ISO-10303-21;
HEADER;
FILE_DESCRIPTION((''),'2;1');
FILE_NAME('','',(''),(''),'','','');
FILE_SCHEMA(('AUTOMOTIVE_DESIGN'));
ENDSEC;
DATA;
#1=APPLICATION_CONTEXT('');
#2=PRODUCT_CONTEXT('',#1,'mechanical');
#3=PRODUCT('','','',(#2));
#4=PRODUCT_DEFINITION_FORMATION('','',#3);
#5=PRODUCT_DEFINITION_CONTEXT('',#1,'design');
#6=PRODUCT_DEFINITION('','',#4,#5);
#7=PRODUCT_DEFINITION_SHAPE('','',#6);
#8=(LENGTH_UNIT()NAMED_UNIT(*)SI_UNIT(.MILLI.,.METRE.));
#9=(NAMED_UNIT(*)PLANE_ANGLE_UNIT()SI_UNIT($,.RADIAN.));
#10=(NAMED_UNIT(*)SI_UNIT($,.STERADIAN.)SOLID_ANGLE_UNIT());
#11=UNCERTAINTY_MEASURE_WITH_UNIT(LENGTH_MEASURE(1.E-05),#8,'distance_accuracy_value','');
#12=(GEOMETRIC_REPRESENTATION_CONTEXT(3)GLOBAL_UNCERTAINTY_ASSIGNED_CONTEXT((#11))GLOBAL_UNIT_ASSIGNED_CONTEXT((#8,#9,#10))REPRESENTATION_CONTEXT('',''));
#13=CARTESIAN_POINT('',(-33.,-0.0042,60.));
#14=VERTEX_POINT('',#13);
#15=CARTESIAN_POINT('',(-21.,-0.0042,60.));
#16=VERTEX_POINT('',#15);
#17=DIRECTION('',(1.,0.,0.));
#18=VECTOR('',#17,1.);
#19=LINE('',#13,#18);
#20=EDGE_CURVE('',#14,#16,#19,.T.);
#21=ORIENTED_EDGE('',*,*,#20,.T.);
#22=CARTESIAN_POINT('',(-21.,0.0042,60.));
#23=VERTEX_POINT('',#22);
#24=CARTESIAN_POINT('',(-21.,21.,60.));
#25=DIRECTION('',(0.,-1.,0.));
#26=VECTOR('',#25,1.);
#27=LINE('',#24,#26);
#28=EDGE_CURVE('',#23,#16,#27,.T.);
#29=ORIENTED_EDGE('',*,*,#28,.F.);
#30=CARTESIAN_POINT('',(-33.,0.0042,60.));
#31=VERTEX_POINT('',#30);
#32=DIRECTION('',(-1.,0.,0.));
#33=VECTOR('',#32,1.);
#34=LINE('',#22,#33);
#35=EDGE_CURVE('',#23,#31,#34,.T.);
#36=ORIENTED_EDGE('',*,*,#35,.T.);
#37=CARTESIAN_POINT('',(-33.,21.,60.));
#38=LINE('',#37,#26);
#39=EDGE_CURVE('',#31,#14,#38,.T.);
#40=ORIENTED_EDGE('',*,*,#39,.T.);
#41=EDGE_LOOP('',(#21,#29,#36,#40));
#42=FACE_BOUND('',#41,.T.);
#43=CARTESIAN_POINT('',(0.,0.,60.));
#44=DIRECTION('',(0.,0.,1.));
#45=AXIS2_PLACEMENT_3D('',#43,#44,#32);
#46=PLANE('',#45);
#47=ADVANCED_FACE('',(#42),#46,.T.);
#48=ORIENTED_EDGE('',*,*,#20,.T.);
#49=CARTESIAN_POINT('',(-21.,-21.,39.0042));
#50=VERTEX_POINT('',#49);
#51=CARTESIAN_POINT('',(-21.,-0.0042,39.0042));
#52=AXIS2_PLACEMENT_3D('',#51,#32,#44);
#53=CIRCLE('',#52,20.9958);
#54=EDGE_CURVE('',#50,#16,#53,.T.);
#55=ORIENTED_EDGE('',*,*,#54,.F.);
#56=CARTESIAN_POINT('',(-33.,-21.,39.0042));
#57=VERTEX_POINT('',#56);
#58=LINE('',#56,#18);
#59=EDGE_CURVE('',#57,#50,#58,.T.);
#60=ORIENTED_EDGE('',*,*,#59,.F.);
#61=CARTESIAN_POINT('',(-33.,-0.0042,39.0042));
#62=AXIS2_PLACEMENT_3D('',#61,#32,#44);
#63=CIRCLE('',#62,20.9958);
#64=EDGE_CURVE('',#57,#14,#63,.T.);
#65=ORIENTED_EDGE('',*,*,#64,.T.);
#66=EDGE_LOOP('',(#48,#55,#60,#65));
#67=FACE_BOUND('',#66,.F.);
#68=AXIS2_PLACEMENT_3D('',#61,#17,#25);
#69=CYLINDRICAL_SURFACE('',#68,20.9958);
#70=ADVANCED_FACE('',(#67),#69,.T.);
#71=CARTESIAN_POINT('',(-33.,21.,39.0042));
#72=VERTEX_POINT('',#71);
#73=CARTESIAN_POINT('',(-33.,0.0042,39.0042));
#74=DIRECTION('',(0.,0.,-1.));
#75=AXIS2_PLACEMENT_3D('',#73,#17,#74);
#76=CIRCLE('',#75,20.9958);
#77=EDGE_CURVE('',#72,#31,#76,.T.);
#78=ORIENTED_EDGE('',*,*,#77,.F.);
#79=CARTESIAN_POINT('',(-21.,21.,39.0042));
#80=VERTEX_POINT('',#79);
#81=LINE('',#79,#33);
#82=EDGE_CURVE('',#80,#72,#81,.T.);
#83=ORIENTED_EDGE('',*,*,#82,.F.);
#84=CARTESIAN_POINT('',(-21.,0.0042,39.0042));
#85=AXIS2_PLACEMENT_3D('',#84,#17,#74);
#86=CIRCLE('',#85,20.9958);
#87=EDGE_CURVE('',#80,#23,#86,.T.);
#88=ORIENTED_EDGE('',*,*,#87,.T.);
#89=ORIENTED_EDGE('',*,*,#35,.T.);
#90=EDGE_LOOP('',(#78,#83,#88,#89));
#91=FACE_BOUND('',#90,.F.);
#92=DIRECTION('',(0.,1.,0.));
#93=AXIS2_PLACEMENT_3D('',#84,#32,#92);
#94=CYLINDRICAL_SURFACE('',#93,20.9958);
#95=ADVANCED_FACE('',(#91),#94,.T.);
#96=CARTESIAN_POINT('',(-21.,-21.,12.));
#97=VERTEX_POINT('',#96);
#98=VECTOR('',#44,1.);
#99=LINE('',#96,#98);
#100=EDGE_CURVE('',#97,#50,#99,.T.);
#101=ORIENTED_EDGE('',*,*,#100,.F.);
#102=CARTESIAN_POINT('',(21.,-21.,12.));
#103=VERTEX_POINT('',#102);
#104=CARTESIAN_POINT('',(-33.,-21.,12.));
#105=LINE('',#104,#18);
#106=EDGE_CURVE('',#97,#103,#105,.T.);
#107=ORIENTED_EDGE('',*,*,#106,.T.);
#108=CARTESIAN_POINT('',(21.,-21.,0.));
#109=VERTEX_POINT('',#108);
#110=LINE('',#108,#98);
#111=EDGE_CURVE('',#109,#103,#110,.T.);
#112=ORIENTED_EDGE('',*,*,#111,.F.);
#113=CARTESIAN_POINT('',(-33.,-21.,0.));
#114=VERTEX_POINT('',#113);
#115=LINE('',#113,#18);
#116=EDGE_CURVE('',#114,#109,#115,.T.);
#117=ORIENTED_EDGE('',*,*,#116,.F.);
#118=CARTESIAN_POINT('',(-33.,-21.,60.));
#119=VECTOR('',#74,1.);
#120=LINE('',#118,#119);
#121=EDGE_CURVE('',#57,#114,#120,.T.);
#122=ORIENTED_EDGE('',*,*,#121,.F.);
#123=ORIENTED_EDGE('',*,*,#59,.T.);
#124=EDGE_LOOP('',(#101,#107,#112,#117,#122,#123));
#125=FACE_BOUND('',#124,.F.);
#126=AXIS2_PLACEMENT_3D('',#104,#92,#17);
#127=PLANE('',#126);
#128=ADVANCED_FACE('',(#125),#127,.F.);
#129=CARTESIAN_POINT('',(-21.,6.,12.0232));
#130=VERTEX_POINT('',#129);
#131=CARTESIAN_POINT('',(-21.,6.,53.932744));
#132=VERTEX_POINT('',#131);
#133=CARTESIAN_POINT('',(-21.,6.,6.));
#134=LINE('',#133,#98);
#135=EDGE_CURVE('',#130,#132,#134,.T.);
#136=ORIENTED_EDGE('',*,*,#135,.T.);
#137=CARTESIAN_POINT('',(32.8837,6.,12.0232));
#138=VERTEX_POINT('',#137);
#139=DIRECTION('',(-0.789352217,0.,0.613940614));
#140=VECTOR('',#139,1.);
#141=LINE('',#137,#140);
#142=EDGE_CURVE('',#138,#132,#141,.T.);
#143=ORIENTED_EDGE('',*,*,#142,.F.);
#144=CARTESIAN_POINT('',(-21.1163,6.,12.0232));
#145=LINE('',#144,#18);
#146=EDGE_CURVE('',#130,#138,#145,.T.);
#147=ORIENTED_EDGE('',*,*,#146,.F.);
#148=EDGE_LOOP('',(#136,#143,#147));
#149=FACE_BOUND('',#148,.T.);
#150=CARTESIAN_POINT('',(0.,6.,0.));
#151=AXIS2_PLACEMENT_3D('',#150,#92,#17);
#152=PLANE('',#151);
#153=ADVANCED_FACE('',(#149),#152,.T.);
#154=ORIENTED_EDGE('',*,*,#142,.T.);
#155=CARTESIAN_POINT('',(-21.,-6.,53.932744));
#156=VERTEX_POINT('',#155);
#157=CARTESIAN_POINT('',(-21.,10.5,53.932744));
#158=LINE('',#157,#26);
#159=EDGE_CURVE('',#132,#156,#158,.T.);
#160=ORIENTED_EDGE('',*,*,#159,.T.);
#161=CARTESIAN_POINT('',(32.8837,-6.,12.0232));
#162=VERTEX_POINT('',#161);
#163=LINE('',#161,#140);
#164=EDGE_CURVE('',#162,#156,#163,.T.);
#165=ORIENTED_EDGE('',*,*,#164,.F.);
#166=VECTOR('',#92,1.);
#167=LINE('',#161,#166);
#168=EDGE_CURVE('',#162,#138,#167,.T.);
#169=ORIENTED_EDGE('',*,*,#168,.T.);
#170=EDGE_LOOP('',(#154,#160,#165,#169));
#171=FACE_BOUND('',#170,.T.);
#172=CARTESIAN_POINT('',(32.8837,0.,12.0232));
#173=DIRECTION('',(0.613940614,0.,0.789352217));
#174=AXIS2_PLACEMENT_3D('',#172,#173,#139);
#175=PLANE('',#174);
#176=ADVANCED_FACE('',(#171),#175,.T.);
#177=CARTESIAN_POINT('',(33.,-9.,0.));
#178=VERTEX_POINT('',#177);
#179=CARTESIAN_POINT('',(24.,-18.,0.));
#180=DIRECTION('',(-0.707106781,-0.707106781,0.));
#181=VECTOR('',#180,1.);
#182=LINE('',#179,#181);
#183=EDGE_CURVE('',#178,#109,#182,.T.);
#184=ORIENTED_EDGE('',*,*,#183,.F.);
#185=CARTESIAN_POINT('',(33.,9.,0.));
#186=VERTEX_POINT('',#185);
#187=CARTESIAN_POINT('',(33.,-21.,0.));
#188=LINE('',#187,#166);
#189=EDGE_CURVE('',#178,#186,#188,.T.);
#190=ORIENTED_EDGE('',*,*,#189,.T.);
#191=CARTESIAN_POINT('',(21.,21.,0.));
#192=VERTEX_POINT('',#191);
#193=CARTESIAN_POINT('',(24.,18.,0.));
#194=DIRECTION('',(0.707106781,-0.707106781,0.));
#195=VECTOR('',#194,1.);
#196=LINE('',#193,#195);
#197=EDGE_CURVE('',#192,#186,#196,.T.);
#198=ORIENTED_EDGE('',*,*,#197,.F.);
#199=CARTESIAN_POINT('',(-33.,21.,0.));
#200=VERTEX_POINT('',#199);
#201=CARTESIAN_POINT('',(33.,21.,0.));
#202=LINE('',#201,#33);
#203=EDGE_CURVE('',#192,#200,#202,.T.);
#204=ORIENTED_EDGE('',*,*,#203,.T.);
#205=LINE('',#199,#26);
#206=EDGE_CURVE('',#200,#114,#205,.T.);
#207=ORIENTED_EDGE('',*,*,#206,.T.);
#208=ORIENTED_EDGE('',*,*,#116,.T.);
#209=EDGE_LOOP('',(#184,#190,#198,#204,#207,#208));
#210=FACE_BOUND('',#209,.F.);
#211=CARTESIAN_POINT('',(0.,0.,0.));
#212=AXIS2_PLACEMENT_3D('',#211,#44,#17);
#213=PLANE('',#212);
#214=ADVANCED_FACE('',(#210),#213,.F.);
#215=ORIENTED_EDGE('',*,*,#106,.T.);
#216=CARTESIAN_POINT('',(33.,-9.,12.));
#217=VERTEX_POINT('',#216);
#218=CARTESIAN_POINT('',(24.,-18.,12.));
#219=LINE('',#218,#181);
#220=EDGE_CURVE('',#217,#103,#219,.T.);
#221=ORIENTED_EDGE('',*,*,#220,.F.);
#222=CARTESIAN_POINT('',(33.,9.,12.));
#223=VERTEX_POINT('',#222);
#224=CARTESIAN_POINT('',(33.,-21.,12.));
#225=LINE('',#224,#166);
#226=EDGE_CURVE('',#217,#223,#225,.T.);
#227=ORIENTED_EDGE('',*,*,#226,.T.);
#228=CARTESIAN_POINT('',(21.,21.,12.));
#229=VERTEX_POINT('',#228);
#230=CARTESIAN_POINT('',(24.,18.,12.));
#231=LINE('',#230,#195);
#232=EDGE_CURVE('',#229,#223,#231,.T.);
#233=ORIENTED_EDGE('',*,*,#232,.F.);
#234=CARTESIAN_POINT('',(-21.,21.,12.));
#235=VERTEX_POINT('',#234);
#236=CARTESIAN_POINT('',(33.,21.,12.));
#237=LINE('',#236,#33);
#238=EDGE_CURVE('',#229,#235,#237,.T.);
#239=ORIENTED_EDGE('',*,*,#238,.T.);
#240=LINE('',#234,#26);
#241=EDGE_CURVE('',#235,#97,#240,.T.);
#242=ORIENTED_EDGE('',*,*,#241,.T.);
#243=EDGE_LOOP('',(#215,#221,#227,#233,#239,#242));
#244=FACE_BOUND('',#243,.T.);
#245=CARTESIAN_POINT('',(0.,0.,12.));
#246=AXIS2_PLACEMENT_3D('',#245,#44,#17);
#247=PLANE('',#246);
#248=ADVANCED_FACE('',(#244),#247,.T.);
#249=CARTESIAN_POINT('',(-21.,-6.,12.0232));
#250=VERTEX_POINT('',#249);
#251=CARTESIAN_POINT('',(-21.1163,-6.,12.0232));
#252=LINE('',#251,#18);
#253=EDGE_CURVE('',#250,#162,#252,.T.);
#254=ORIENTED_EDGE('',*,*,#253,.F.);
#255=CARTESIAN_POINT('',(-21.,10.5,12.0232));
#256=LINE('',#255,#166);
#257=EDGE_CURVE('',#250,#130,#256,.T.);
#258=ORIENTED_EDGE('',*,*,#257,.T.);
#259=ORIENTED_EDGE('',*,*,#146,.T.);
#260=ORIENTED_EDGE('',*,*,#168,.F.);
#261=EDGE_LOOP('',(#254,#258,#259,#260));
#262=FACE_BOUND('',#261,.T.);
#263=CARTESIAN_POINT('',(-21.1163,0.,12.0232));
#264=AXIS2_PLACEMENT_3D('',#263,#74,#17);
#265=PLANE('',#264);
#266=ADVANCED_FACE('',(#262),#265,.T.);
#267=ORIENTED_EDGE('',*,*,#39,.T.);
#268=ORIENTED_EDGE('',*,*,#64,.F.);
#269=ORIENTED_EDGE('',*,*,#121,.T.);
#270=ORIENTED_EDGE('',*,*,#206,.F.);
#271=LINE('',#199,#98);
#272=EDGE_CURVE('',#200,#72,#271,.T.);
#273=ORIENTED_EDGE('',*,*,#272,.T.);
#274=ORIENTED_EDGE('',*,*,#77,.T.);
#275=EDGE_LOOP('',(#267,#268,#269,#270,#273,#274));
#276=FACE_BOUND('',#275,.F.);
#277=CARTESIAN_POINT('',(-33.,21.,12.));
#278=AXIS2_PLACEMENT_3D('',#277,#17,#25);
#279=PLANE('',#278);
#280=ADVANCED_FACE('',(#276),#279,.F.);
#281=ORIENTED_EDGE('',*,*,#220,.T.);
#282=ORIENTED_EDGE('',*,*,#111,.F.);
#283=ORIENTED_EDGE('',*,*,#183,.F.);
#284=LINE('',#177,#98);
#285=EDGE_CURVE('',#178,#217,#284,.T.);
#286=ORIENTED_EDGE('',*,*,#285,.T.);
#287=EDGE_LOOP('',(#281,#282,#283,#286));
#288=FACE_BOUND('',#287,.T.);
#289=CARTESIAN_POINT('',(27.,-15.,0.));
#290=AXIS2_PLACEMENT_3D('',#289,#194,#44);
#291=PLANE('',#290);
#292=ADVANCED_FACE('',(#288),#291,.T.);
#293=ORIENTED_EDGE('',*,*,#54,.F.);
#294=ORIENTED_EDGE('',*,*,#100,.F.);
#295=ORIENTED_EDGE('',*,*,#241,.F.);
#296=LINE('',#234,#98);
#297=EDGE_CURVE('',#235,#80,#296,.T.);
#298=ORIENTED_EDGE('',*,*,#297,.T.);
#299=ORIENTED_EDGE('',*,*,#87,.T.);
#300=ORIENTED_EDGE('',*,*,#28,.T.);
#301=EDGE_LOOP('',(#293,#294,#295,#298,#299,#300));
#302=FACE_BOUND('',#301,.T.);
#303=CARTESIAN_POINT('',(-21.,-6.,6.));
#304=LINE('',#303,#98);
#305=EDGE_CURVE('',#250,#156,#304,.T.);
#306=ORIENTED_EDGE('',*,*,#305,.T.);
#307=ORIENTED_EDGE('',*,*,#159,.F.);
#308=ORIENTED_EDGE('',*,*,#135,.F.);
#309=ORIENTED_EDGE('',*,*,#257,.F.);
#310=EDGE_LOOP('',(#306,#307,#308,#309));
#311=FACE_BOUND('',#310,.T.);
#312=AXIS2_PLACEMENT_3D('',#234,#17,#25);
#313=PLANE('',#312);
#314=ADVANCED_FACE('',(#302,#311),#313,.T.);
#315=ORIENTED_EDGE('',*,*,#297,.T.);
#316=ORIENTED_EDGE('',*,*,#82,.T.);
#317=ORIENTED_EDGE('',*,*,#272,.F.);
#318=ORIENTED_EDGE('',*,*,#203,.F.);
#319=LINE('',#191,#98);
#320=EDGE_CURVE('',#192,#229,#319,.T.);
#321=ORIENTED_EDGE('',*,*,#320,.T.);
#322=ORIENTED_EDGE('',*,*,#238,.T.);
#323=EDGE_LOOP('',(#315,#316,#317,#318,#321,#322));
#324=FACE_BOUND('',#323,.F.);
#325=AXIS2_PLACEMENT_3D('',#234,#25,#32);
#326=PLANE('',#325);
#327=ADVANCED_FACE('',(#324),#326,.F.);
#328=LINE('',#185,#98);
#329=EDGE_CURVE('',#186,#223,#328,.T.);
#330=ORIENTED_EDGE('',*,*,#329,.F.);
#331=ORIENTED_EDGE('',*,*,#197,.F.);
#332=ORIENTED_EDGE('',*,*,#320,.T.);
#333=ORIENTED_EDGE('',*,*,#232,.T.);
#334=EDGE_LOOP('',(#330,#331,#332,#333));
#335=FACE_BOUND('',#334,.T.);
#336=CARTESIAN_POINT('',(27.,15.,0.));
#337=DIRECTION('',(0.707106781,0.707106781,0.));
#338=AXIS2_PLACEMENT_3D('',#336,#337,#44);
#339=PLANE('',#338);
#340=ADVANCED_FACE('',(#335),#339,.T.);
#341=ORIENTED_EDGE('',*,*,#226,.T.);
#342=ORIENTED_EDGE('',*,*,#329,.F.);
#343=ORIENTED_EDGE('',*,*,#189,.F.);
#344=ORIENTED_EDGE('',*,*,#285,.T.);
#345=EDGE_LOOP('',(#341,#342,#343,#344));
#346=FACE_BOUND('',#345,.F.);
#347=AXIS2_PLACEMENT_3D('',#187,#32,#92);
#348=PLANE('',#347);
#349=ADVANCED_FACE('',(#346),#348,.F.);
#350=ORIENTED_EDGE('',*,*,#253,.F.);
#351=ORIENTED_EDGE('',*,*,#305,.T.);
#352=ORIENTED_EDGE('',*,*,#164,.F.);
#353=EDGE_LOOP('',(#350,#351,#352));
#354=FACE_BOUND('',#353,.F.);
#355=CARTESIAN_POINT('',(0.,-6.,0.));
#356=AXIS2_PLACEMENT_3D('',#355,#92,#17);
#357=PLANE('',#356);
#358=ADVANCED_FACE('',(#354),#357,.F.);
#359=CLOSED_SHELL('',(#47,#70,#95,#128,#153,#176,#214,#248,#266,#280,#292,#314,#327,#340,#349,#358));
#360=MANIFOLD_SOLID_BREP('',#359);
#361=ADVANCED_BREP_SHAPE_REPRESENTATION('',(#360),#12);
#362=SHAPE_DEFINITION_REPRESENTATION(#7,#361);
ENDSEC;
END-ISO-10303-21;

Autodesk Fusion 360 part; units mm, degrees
sketch "Sketch1" plane through (0, 0, 0) normal (0, 0, 1) x (1, 0, 0)
  line L0 (-33, -21) -> (33, -21)
  line L1 (33, -21) -> (33, 21)
  line L2 (33, 21) -> (-33, 21)
  line L3 (-33, 21) -> (-33, -21)
  line L4 (-33, -21) -> (33, 21) construction
  line L5 (33, -21) -> (-33, 21) construction
  dimension "d1" = 66
  dimension "d2" = 42
extrude "Extrude1" add sketch "Sketch1" along normal blind 12
chamfer "Chamfer1" distance 12 angle 45 2 edges at (33, -21, 6) (33, 21, 6)
sketch "Sketch2" plane through (0, 0, 12) normal (0, 0, 1) x (-1, 0, 0)
  line L0 (-33, -9) -> (-21, -21)
  line L1 (-21, -21) -> (33, -21)
  line L2 (33, -21) -> (33, 21)
  line L3 (33, 21) -> (-21, 21)
  line L4 (-21, 21) -> (-33, 9)
  line L5 (-33, 9) -> (-33, -9)
  line L6 (33, -21) -> (21, -21)
  line L7 (21, -21) -> (21, 21)
  line L8 (21, 21) -> (33, 21)
  line L9 (33, 21) -> (33, -21)
  dimension "d6" = 12
extrude "Extrude2" add sketch "Sketch2" along normal blind 48 contours L1 L2 L3 L6 L7 L8 L9
fillet "Fillet1" radius 21 2 edges at (-27, -21, 60) (-27, 21, 60)
sketch "Sketch3" plane through (0, 0, 0) normal (0, 1, 0) x (1, 0, 0)
  line L0 (-21.1163, -54.0232) -> (-21.1163, -12.0232)
  line L1 (-21.1163, -12.0232) -> (32.8837, -12.0232)
  line L2 (32.8837, -12.0232) -> (-21.1163, -54.0232)
  dimension "d11" = 42
  dimension "d12" = 54
extrude "Extrude3" add sketch "Sketch3" along normal mid plane 12
